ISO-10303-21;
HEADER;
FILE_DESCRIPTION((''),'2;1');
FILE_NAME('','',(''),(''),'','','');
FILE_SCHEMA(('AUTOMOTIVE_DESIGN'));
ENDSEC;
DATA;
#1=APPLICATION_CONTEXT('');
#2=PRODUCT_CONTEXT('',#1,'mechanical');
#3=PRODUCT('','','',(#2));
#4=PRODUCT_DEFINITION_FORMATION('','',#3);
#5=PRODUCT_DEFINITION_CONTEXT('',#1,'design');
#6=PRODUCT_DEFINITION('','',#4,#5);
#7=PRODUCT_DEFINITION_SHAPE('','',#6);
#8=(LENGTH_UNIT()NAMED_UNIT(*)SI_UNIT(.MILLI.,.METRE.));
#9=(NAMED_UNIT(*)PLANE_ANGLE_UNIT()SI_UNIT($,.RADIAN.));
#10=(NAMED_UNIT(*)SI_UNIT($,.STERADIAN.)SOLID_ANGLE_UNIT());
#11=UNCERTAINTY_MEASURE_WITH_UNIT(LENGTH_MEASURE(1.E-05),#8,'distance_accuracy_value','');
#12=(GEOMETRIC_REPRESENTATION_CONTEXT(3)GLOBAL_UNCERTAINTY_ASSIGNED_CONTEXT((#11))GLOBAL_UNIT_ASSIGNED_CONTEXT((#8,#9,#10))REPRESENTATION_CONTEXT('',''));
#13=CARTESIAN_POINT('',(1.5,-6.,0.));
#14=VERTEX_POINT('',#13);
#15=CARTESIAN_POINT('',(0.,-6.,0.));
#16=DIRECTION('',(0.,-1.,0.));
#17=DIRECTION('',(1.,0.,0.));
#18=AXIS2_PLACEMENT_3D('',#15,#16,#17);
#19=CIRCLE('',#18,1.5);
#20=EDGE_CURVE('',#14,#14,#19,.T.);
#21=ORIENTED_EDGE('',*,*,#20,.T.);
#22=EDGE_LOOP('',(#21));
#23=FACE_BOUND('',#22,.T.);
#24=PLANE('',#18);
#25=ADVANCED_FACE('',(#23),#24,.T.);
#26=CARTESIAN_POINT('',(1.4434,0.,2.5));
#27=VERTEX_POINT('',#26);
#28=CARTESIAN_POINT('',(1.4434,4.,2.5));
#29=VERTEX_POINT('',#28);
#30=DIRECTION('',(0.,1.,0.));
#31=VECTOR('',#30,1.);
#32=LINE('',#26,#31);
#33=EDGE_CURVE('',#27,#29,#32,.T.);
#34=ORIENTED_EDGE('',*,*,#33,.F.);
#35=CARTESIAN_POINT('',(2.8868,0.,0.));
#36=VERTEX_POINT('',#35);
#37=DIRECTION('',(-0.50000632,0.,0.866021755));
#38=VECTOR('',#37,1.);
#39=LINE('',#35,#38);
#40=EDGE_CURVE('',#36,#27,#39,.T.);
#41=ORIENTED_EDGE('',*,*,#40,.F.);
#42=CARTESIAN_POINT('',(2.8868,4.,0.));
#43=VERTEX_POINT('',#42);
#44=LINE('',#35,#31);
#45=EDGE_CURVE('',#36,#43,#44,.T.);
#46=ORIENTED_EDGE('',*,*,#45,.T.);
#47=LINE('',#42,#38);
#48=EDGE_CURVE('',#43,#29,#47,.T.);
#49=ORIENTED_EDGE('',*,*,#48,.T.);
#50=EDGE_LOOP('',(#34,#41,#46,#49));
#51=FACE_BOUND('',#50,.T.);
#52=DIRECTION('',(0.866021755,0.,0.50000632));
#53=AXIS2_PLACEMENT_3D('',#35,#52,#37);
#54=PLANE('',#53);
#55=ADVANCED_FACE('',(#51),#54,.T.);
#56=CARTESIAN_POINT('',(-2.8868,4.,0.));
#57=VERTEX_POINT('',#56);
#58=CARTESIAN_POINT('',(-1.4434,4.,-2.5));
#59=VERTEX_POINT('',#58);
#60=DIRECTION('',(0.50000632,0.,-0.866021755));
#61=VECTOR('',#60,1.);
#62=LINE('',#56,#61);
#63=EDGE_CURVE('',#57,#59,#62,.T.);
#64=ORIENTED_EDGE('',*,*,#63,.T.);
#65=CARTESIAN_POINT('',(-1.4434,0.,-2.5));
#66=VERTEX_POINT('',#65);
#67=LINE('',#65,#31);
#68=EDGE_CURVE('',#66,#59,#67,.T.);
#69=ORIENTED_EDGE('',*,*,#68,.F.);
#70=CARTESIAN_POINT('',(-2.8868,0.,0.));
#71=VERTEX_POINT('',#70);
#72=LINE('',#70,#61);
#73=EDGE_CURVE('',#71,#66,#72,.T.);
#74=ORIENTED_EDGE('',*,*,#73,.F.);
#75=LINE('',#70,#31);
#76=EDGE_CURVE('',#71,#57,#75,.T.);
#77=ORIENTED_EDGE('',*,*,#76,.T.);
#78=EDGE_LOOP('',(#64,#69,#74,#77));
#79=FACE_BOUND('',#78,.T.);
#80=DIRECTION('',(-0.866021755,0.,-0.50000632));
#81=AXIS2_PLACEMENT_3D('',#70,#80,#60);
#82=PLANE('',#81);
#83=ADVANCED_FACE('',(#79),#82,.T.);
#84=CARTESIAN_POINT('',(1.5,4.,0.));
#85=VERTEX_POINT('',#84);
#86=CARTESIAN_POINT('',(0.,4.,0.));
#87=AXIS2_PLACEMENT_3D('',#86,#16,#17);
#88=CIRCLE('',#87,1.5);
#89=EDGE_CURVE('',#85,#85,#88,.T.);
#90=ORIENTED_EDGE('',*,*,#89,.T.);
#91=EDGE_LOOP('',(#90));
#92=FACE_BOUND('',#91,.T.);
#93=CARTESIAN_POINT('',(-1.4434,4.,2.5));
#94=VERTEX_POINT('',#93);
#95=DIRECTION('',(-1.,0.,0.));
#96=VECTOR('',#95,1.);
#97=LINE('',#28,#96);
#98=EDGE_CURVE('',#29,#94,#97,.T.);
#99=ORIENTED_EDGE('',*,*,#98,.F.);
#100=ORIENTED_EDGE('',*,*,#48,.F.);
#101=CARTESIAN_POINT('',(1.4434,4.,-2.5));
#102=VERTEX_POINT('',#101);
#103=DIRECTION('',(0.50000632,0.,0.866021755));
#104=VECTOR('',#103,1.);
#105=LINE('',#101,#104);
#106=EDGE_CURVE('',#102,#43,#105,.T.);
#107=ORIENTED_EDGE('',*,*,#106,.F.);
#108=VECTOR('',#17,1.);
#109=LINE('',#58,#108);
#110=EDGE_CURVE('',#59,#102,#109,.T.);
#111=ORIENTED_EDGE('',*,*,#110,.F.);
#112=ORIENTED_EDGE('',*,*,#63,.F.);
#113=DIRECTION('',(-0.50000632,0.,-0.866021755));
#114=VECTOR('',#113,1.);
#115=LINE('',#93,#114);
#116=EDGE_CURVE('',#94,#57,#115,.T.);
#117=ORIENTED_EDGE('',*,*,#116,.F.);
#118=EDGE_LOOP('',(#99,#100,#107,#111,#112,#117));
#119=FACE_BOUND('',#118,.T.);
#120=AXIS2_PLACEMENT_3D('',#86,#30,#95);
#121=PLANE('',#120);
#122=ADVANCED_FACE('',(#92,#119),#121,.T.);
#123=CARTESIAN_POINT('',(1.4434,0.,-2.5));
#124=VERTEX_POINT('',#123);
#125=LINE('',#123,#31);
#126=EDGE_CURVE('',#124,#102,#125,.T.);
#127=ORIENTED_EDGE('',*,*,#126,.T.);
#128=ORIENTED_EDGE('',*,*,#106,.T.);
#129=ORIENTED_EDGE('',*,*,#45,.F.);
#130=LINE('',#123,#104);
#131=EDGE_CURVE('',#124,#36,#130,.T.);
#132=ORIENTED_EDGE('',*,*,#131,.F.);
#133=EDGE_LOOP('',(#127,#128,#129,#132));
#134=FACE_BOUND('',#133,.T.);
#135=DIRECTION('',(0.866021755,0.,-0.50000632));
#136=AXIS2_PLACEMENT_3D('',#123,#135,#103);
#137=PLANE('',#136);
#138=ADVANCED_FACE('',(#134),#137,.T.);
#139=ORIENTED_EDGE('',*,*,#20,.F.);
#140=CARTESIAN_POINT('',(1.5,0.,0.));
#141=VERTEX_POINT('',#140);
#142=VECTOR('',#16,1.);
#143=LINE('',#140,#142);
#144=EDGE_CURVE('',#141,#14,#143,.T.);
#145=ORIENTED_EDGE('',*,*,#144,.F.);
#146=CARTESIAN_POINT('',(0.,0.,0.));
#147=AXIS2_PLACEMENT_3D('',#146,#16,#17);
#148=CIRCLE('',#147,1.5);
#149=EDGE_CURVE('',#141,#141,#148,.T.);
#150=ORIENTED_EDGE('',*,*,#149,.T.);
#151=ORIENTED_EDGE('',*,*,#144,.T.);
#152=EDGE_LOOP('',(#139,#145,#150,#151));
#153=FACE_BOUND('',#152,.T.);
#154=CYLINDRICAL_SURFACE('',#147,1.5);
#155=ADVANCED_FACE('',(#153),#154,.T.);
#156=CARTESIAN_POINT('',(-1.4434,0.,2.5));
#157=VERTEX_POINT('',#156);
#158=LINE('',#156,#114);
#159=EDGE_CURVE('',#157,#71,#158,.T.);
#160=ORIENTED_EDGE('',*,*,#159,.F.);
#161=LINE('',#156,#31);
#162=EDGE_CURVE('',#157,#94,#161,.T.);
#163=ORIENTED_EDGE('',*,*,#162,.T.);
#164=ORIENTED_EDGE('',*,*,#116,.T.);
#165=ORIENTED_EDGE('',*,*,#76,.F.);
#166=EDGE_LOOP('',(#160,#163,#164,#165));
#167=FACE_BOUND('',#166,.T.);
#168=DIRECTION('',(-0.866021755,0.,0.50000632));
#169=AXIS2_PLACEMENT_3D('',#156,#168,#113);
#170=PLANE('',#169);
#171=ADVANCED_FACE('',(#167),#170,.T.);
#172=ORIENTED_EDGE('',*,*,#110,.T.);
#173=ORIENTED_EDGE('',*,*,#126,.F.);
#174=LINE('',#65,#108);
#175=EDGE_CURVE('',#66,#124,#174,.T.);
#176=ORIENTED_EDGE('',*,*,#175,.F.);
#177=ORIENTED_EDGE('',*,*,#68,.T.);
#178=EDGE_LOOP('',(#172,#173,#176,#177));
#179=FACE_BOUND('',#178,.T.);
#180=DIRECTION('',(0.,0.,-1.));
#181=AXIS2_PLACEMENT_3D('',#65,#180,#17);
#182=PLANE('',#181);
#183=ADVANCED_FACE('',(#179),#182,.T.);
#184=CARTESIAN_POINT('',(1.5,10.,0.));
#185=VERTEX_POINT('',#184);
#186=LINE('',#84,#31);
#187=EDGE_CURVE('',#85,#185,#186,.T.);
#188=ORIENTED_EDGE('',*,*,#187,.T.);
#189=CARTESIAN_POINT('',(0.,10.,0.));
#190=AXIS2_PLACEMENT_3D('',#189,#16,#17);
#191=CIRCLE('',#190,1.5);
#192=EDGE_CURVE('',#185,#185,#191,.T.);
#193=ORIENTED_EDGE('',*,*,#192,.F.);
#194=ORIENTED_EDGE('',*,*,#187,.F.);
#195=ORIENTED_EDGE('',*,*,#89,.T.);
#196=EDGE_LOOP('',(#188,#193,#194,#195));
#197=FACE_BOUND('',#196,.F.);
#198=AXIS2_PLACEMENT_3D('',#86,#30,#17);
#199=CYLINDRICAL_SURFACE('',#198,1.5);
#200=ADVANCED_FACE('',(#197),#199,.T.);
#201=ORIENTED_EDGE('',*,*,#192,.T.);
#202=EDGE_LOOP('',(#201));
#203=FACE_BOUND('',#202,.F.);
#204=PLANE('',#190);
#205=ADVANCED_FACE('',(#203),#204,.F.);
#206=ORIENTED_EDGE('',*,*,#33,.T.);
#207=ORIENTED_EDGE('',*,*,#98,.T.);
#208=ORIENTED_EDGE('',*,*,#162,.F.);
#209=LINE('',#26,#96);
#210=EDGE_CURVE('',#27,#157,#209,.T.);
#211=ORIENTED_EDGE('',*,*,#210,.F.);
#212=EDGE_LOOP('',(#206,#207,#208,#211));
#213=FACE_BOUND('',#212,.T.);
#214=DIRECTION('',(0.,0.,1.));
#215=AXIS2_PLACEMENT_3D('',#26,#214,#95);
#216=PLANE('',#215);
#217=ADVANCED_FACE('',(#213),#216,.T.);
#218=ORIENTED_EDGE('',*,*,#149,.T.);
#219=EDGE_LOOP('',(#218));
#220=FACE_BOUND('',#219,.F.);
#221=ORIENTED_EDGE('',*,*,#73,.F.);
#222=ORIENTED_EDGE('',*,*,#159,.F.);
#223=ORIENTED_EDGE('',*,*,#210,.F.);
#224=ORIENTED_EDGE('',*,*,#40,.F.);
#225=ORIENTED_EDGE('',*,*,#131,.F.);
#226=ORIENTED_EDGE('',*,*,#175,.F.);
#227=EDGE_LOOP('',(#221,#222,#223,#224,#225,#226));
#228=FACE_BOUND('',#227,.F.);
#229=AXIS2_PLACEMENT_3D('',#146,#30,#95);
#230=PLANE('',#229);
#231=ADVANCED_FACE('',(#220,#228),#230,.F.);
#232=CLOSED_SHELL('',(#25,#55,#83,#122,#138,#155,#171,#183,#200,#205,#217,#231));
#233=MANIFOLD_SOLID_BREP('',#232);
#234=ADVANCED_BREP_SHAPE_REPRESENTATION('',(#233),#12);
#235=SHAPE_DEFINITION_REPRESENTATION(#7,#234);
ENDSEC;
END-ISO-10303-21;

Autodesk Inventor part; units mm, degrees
ref_plane "YZ Plane" through (0, 0, 0) normal (1, 0, 0) x (0, 1, 0)
ref_plane "XZ Plane" through (0, 0, 0) normal (0, 1, 0) x (-1, 0, 0)
ref_plane "XY Plane" through (0, 0, 0) normal (0, 0, 1) x (1, 0, 0)
sketch "草圖2" plane through (0, 0, 0) normal (0, 1, 0) x (-1, 0, 0)
  line L0 (-2.8868, 0) -> (-1.4434, 2.5)
  line L1 (-1.4434, 2.5) -> (1.4434, 2.5)
  line L2 (1.4434, 2.5) -> (2.8868, 0)
  line L3 (2.8868, 0) -> (1.4434, -2.5)
  line L4 (1.4434, -2.5) -> (-1.4434, -2.5)
  line L5 (-1.4434, -2.5) -> (-2.8868, 0)
  point P0 (0, 0)
  point P1 (0, 0)
  dimension "d2" = 5
extrude "擠出1" add sketch "草圖2" along normal blind 4
sketch "草圖3" plane through (0, 0, 0) normal (0, 0, 1) x (1, 0, 0)
  line L0 (1.4434, 4) -> (-1.4434, 4) projected
  line L1 (0, 4) -> (1.5, 4)
  line L2 (1.5, 4) -> (1.5, 10)
  line L3 (1.5, 10) -> (0, 10)
  line L4 (0, 10) -> (0, 4)
  line L5 (0, 17.268) -> (0, -3.3114)
  line L6 (0, 0) -> (1.5, 0)
  line L7 (1.5, 0) -> (1.5, -6)
  line L8 (1.5, -6) -> (0, -6)
  line L9 (0, -6) -> (0, 0)
  point P0 (0.75, 10)
  dimension "d5" = 3
  dimension "d6" = 6
  dimension "d8" = 6
revolve "迴轉1" add sketch "草圖3" angle 360 about axis through (0, 17.268, 0) along (0, -1, 0)
properties part number "copper_pillar_M3_L15" material "Copper"
